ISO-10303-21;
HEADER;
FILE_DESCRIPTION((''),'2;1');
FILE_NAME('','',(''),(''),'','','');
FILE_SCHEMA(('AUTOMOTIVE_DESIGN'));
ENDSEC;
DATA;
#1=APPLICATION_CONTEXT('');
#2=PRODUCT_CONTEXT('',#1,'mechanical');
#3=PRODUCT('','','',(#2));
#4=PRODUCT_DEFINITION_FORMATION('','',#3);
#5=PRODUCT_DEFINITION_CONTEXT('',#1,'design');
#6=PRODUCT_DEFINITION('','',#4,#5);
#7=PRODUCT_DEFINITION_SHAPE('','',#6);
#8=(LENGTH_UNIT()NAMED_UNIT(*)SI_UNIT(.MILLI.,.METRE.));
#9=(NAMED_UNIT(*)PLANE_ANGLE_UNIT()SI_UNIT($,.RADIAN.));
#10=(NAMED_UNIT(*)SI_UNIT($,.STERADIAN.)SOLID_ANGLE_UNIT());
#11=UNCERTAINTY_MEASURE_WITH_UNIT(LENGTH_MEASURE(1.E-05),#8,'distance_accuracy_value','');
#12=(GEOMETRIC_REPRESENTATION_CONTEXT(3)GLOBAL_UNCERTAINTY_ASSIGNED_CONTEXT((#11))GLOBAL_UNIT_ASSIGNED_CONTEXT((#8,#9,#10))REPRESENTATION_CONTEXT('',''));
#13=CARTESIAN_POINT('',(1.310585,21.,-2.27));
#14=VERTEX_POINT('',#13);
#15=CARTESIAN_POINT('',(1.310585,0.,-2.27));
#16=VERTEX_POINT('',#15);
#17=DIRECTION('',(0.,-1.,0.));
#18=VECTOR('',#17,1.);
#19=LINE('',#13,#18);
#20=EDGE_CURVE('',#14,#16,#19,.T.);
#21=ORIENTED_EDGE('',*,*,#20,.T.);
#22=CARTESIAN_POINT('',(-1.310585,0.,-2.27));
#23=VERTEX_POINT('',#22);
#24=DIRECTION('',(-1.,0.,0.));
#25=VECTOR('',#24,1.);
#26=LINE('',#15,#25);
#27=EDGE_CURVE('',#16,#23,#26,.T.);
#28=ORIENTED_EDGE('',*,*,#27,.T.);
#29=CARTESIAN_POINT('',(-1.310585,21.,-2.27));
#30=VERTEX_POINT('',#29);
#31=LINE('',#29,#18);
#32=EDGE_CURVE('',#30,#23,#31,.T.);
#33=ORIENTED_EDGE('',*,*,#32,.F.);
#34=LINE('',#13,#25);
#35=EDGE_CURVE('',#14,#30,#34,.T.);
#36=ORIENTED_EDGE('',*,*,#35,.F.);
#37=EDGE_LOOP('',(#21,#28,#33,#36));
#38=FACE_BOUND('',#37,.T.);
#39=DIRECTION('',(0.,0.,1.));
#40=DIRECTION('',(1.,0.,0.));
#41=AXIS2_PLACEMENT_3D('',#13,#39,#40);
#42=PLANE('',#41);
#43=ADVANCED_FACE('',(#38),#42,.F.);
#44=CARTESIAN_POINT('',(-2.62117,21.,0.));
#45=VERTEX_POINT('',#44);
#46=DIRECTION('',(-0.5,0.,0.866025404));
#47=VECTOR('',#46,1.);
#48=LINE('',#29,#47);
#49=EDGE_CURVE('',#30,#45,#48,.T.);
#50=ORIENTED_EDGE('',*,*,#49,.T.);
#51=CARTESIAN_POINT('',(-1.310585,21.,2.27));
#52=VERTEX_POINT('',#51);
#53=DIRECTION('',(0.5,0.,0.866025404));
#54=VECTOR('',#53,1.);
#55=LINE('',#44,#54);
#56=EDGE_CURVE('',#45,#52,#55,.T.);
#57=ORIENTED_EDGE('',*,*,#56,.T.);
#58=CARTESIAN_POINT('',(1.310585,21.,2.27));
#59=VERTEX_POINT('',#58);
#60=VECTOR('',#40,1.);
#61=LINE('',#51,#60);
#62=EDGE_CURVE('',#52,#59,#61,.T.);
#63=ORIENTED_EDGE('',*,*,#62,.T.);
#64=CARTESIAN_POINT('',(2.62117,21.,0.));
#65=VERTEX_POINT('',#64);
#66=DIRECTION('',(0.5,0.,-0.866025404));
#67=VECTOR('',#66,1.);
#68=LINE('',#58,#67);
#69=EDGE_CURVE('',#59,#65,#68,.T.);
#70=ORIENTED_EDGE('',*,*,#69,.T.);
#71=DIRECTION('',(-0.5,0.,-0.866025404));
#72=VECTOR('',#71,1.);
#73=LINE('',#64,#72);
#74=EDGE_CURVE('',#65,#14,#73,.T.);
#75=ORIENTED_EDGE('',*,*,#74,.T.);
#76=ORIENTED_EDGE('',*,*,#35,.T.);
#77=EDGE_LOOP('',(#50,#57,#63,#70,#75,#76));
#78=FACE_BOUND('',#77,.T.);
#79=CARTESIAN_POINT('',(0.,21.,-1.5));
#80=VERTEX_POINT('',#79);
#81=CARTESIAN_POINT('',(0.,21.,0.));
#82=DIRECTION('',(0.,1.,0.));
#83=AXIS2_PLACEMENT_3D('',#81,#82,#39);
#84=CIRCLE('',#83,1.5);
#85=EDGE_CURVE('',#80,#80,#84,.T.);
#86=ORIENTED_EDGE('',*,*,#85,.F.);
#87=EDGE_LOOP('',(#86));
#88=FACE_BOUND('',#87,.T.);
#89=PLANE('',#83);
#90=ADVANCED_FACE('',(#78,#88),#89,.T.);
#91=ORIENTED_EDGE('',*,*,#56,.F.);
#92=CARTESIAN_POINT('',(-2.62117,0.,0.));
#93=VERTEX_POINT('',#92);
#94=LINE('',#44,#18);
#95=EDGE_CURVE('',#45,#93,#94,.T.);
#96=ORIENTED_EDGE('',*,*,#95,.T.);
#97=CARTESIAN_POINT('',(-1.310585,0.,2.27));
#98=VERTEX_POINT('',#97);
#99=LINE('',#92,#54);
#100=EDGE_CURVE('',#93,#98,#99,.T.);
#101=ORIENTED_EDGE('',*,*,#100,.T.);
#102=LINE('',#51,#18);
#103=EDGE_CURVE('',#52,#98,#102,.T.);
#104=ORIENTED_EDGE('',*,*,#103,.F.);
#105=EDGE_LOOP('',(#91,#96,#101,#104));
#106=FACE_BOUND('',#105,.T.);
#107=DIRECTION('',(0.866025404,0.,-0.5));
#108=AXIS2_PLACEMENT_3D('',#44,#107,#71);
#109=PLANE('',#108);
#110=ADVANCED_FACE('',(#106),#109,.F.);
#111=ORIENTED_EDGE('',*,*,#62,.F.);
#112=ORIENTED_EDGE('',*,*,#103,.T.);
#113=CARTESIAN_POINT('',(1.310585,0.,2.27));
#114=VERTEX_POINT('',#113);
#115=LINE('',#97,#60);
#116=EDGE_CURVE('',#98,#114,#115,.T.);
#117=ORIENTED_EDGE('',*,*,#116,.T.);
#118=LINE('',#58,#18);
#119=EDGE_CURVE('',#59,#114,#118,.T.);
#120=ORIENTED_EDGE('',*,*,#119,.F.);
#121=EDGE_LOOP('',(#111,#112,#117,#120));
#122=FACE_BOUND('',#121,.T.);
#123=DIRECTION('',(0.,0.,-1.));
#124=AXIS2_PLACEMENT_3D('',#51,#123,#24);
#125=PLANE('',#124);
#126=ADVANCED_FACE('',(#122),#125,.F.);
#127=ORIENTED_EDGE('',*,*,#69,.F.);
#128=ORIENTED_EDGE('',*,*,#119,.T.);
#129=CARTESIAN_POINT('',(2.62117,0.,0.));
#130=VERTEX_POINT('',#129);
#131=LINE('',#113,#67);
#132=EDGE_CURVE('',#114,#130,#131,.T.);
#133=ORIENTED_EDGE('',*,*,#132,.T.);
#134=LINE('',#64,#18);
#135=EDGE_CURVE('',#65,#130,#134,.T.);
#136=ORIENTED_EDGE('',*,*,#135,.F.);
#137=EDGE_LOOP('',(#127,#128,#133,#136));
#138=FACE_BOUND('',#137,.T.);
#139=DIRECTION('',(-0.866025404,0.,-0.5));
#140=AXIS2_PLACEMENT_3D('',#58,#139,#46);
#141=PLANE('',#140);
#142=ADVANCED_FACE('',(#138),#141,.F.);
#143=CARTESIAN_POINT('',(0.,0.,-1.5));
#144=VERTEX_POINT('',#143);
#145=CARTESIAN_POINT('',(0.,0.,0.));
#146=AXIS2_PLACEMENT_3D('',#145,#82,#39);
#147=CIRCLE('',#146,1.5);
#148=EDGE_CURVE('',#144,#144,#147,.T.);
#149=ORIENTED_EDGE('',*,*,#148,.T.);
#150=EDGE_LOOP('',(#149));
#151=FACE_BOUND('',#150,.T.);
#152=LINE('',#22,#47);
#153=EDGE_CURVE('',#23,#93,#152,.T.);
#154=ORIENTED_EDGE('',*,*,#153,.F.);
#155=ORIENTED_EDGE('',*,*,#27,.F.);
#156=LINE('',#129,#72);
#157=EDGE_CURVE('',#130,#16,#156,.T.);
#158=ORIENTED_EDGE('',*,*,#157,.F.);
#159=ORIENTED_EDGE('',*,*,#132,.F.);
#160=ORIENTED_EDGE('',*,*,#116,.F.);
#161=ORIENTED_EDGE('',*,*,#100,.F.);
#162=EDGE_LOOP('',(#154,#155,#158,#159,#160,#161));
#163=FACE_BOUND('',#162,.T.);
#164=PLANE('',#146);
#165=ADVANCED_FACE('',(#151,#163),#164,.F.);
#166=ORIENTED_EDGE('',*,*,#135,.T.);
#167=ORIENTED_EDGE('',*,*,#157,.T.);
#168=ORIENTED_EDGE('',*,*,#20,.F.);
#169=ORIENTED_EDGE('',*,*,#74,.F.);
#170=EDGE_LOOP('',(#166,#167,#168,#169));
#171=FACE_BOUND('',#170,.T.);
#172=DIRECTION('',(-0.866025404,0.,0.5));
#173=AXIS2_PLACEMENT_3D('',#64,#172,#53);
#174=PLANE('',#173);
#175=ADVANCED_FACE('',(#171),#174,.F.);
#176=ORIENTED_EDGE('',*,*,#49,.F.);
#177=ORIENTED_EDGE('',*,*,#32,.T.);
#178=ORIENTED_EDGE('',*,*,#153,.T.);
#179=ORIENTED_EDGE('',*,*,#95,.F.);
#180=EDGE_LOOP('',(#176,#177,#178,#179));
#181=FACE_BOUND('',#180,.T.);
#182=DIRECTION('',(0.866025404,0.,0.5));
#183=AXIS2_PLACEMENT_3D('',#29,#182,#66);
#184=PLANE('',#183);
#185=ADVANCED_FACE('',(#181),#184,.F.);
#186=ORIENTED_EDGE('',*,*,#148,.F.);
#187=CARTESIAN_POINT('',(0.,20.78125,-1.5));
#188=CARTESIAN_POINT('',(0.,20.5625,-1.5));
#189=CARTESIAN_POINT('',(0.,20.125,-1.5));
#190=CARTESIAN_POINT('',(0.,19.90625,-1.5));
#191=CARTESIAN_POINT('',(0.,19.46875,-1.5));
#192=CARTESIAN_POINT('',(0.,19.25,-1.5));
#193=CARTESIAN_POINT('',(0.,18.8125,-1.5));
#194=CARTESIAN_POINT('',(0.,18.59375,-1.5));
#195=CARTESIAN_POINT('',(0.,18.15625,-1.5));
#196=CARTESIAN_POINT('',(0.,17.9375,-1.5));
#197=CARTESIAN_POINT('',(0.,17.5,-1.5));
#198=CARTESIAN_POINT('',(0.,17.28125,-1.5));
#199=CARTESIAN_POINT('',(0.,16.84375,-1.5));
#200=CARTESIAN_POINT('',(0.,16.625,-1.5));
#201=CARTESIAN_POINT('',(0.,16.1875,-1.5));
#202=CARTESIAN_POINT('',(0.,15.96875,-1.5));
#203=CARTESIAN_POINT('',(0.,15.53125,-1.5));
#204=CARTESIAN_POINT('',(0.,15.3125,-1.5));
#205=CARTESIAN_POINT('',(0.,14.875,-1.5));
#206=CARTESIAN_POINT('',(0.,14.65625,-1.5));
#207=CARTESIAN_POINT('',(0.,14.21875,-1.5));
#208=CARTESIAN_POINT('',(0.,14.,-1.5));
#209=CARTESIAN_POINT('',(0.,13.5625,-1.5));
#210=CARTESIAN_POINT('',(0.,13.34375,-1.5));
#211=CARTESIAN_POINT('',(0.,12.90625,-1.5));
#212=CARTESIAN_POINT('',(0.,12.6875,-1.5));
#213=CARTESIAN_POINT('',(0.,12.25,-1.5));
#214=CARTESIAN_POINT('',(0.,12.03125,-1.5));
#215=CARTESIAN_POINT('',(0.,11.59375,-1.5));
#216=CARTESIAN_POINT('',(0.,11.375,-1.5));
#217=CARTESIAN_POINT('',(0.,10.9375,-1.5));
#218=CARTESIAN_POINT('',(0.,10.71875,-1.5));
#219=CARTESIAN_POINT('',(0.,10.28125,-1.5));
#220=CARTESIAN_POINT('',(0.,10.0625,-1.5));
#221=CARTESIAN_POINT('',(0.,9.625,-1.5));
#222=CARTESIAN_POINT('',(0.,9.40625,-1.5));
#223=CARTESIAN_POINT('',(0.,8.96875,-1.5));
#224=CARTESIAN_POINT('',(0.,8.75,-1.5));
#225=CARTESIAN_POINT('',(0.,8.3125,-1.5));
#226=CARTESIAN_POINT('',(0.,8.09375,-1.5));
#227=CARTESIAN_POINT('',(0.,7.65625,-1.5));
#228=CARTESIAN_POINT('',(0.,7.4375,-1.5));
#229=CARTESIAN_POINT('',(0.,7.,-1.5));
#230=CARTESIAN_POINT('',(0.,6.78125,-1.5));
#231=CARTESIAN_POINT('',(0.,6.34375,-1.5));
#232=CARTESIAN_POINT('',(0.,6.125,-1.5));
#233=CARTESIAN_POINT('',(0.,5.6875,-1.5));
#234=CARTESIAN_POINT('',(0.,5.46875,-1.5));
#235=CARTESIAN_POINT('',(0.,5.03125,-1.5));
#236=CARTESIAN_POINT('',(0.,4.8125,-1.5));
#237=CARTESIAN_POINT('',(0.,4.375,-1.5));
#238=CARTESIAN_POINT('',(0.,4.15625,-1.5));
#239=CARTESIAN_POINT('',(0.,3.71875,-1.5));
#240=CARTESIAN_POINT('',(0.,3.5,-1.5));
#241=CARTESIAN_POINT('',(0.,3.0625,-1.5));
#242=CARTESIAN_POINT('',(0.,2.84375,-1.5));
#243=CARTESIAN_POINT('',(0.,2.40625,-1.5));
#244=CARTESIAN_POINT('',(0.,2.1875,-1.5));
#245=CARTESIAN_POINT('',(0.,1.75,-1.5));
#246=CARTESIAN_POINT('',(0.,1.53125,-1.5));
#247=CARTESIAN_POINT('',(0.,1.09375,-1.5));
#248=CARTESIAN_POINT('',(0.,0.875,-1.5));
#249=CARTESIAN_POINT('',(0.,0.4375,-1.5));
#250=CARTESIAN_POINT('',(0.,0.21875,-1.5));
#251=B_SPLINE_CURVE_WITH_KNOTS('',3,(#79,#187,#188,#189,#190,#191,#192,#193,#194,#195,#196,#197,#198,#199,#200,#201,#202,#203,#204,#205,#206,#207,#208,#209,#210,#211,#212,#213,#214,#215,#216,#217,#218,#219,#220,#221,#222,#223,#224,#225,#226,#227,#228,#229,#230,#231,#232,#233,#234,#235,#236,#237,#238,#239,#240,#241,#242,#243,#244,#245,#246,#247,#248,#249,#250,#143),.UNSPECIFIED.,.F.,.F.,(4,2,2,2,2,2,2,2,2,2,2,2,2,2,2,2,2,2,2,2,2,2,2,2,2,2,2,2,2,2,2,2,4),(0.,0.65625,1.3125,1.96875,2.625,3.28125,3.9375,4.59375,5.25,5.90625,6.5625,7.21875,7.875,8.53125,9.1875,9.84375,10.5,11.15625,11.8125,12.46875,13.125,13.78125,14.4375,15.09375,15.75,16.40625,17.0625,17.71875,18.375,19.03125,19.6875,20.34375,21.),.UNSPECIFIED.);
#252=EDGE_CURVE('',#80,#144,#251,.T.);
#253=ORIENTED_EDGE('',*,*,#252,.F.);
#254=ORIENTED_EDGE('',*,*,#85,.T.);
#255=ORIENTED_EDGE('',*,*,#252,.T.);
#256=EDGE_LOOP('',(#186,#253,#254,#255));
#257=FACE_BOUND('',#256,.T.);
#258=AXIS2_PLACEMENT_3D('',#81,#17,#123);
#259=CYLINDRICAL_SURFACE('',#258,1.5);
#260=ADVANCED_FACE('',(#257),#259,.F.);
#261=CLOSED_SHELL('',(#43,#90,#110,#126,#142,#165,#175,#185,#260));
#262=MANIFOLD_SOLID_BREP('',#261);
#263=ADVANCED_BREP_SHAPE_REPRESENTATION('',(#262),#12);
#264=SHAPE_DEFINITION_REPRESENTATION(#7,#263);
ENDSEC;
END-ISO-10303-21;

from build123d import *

# Parameters (mm, degrees)
SKETCH_1_R      = 1.5
EXTRUDE_1_DEPTH = 21


with BuildPart() as part:
    # 草图1 → 凸台-拉伸1 (new body)
    with BuildSketch(Plane(origin=(0, 0, 0), x_dir=(1, 0, 0), z_dir=(0, 1, 0))):
        Polygon((2.621170222, 0), (1.310585111, 2.27), (-1.310585111, 2.27), (-2.621170222, 0), (-1.310585111, -2.27), (1.310585111, -2.27), align=None)
        with Locations(Location((0, 0, 0), (0, 0, 90))):
            Circle(SKETCH_1_R, mode=Mode.SUBTRACT)
    extrude(amount=EXTRUDE_1_DEPTH)


solid = part.part
